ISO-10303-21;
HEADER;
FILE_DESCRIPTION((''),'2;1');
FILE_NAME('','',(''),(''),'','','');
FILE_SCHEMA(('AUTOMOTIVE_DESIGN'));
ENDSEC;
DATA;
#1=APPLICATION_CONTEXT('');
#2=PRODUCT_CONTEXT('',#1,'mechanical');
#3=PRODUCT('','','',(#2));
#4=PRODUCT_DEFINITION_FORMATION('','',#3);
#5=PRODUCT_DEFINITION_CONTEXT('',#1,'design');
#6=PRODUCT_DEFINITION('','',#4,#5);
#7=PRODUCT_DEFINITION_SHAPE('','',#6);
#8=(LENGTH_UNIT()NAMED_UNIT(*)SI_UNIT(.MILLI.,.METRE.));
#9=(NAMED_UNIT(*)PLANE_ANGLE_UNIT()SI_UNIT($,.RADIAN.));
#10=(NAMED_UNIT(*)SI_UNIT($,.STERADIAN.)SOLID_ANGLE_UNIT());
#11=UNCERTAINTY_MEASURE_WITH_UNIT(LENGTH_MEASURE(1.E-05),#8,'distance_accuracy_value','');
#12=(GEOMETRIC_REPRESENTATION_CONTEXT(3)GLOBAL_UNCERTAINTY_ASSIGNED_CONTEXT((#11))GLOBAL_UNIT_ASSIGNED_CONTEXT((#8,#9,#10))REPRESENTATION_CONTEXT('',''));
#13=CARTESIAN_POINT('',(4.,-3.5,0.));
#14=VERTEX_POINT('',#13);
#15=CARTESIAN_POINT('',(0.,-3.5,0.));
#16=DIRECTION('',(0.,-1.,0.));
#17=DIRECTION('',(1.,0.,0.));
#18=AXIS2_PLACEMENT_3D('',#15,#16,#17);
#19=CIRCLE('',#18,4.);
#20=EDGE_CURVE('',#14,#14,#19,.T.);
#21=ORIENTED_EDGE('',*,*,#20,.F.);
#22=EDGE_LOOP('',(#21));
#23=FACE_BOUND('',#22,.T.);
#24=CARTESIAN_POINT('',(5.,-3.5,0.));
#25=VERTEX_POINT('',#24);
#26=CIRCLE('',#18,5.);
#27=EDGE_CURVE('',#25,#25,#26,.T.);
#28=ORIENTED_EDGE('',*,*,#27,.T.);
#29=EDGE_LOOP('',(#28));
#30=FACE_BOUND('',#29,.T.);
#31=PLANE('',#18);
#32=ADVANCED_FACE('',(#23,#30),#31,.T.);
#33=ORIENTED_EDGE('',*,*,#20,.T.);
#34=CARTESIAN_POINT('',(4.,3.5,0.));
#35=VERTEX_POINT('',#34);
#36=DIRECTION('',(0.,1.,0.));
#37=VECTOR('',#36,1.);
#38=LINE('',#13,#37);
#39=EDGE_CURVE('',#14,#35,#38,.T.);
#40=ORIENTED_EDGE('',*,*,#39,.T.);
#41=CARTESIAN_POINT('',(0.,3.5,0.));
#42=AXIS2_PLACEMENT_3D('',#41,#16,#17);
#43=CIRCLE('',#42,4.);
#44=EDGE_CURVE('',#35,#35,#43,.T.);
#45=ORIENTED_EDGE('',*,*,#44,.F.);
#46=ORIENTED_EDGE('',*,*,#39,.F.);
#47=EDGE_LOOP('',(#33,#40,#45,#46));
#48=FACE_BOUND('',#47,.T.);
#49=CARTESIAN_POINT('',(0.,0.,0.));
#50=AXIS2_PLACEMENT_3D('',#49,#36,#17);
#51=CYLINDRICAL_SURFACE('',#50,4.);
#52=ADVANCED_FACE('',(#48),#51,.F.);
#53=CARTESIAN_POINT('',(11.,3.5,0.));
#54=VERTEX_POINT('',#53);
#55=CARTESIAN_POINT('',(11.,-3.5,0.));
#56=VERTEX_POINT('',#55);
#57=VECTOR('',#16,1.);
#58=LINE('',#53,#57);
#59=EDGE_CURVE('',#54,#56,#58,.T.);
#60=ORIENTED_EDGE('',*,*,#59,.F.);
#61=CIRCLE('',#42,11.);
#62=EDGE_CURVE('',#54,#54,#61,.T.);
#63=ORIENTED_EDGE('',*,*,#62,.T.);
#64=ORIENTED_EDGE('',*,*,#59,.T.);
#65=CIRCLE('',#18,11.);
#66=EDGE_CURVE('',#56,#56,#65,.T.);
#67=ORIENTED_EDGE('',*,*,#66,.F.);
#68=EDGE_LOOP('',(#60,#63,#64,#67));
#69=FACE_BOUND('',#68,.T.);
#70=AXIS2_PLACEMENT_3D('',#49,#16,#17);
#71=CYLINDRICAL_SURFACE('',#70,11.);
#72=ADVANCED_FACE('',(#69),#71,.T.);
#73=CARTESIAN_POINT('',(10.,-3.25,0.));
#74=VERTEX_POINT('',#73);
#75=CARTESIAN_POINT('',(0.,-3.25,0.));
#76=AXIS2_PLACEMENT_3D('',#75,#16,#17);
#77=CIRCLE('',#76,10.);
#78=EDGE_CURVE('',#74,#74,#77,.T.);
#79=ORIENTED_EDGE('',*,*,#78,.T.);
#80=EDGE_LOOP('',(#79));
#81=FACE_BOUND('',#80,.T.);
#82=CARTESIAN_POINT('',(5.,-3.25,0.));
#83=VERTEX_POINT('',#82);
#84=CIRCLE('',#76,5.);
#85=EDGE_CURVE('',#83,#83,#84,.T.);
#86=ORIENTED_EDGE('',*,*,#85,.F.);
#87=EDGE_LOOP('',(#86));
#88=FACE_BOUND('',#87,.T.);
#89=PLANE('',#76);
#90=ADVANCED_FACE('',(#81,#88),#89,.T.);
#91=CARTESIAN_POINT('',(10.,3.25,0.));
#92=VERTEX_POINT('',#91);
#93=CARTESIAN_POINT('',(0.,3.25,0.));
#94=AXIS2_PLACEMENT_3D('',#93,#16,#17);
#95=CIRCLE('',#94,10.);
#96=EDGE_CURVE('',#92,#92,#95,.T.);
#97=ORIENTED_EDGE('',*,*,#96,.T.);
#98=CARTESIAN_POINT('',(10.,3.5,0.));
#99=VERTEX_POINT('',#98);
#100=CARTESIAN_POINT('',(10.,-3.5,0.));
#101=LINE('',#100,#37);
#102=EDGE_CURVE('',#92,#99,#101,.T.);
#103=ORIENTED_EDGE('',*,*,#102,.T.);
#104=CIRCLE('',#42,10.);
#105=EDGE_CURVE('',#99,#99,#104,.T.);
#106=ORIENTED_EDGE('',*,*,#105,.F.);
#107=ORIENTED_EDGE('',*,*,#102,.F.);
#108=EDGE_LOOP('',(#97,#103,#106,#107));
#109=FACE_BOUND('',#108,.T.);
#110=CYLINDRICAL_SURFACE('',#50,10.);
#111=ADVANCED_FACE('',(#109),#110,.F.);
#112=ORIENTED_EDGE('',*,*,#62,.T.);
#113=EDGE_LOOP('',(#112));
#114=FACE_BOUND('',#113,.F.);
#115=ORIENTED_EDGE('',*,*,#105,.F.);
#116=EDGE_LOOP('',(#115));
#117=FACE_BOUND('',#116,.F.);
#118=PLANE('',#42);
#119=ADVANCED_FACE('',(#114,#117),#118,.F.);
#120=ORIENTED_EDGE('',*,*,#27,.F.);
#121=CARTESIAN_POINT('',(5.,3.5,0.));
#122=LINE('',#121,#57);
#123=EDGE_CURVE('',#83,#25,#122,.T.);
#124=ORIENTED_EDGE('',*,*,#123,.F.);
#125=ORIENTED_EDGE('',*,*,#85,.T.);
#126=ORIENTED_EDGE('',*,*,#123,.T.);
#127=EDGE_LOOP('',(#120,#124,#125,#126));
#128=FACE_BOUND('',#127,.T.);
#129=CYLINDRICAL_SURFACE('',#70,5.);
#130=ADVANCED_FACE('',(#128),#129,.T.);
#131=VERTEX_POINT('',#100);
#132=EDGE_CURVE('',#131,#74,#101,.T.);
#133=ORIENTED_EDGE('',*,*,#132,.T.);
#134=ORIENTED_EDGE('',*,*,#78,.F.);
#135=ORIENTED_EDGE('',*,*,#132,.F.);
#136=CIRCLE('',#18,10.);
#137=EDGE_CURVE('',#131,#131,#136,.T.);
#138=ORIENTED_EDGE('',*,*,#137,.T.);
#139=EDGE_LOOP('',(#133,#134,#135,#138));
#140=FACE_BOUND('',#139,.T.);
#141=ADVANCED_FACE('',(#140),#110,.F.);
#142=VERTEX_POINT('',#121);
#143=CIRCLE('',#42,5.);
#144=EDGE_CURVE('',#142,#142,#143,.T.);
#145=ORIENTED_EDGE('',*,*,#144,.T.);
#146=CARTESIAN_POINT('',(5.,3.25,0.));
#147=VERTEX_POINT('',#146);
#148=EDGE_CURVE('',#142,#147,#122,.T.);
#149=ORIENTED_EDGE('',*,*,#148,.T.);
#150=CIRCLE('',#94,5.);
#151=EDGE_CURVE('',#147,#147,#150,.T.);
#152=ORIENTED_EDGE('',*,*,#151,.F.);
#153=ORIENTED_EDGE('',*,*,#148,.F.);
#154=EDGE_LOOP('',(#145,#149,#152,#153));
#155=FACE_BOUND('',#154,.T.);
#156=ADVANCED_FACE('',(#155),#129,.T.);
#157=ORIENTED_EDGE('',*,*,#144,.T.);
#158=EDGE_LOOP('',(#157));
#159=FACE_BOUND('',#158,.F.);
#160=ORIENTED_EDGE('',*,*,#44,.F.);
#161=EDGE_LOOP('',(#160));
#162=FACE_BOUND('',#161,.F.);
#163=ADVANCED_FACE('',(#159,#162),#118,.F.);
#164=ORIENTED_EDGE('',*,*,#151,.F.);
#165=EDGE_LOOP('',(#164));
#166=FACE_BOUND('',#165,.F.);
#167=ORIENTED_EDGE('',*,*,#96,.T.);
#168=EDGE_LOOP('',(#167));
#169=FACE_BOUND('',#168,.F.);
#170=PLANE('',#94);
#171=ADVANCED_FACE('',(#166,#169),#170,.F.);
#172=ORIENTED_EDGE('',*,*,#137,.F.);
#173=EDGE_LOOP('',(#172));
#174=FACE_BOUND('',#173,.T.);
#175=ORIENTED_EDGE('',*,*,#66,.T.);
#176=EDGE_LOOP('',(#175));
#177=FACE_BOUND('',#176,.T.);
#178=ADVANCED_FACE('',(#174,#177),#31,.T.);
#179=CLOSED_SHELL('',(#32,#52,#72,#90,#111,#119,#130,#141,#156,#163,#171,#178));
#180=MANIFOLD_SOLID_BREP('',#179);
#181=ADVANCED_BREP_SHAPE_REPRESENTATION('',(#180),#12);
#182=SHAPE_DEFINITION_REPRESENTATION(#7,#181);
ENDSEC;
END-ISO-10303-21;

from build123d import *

# Parameters (mm, degrees)
F0_R     = 5
F0_R_2   = 4
F1_DEPTH = 3.5
F0_R_3   = 11
F0_R_4   = 10
F2_DEPTH = 3.25


with BuildPart() as f1:
    # F0 (on Front) → F1 (new body, symmetric)
    with BuildSketch(Plane.XZ):
        Circle(F0_R)
        Circle(F0_R_2, mode=Mode.SUBTRACT)
    extrude(amount=F1_DEPTH, both=True)



with BuildPart() as f1b:
    # F0 (on Front) → F1, piece 2 (new body, symmetric)
    with BuildSketch(Plane.XZ):
        Circle(F0_R_3)
        Circle(F0_R_4, mode=Mode.SUBTRACT)
    extrude(amount=F1_DEPTH, both=True)


with BuildPart() as f1_1:
    add(f1.part)

    add(f1b.part)  # F2 merges F1b
    # F0 (on Front) → F2 (join, symmetric)
    with BuildSketch(Plane.XZ):
        Circle(F0_R_4)
        Circle(F0_R, mode=Mode.SUBTRACT)
    extrude(amount=F2_DEPTH, both=True)


solid = f1_1.part
